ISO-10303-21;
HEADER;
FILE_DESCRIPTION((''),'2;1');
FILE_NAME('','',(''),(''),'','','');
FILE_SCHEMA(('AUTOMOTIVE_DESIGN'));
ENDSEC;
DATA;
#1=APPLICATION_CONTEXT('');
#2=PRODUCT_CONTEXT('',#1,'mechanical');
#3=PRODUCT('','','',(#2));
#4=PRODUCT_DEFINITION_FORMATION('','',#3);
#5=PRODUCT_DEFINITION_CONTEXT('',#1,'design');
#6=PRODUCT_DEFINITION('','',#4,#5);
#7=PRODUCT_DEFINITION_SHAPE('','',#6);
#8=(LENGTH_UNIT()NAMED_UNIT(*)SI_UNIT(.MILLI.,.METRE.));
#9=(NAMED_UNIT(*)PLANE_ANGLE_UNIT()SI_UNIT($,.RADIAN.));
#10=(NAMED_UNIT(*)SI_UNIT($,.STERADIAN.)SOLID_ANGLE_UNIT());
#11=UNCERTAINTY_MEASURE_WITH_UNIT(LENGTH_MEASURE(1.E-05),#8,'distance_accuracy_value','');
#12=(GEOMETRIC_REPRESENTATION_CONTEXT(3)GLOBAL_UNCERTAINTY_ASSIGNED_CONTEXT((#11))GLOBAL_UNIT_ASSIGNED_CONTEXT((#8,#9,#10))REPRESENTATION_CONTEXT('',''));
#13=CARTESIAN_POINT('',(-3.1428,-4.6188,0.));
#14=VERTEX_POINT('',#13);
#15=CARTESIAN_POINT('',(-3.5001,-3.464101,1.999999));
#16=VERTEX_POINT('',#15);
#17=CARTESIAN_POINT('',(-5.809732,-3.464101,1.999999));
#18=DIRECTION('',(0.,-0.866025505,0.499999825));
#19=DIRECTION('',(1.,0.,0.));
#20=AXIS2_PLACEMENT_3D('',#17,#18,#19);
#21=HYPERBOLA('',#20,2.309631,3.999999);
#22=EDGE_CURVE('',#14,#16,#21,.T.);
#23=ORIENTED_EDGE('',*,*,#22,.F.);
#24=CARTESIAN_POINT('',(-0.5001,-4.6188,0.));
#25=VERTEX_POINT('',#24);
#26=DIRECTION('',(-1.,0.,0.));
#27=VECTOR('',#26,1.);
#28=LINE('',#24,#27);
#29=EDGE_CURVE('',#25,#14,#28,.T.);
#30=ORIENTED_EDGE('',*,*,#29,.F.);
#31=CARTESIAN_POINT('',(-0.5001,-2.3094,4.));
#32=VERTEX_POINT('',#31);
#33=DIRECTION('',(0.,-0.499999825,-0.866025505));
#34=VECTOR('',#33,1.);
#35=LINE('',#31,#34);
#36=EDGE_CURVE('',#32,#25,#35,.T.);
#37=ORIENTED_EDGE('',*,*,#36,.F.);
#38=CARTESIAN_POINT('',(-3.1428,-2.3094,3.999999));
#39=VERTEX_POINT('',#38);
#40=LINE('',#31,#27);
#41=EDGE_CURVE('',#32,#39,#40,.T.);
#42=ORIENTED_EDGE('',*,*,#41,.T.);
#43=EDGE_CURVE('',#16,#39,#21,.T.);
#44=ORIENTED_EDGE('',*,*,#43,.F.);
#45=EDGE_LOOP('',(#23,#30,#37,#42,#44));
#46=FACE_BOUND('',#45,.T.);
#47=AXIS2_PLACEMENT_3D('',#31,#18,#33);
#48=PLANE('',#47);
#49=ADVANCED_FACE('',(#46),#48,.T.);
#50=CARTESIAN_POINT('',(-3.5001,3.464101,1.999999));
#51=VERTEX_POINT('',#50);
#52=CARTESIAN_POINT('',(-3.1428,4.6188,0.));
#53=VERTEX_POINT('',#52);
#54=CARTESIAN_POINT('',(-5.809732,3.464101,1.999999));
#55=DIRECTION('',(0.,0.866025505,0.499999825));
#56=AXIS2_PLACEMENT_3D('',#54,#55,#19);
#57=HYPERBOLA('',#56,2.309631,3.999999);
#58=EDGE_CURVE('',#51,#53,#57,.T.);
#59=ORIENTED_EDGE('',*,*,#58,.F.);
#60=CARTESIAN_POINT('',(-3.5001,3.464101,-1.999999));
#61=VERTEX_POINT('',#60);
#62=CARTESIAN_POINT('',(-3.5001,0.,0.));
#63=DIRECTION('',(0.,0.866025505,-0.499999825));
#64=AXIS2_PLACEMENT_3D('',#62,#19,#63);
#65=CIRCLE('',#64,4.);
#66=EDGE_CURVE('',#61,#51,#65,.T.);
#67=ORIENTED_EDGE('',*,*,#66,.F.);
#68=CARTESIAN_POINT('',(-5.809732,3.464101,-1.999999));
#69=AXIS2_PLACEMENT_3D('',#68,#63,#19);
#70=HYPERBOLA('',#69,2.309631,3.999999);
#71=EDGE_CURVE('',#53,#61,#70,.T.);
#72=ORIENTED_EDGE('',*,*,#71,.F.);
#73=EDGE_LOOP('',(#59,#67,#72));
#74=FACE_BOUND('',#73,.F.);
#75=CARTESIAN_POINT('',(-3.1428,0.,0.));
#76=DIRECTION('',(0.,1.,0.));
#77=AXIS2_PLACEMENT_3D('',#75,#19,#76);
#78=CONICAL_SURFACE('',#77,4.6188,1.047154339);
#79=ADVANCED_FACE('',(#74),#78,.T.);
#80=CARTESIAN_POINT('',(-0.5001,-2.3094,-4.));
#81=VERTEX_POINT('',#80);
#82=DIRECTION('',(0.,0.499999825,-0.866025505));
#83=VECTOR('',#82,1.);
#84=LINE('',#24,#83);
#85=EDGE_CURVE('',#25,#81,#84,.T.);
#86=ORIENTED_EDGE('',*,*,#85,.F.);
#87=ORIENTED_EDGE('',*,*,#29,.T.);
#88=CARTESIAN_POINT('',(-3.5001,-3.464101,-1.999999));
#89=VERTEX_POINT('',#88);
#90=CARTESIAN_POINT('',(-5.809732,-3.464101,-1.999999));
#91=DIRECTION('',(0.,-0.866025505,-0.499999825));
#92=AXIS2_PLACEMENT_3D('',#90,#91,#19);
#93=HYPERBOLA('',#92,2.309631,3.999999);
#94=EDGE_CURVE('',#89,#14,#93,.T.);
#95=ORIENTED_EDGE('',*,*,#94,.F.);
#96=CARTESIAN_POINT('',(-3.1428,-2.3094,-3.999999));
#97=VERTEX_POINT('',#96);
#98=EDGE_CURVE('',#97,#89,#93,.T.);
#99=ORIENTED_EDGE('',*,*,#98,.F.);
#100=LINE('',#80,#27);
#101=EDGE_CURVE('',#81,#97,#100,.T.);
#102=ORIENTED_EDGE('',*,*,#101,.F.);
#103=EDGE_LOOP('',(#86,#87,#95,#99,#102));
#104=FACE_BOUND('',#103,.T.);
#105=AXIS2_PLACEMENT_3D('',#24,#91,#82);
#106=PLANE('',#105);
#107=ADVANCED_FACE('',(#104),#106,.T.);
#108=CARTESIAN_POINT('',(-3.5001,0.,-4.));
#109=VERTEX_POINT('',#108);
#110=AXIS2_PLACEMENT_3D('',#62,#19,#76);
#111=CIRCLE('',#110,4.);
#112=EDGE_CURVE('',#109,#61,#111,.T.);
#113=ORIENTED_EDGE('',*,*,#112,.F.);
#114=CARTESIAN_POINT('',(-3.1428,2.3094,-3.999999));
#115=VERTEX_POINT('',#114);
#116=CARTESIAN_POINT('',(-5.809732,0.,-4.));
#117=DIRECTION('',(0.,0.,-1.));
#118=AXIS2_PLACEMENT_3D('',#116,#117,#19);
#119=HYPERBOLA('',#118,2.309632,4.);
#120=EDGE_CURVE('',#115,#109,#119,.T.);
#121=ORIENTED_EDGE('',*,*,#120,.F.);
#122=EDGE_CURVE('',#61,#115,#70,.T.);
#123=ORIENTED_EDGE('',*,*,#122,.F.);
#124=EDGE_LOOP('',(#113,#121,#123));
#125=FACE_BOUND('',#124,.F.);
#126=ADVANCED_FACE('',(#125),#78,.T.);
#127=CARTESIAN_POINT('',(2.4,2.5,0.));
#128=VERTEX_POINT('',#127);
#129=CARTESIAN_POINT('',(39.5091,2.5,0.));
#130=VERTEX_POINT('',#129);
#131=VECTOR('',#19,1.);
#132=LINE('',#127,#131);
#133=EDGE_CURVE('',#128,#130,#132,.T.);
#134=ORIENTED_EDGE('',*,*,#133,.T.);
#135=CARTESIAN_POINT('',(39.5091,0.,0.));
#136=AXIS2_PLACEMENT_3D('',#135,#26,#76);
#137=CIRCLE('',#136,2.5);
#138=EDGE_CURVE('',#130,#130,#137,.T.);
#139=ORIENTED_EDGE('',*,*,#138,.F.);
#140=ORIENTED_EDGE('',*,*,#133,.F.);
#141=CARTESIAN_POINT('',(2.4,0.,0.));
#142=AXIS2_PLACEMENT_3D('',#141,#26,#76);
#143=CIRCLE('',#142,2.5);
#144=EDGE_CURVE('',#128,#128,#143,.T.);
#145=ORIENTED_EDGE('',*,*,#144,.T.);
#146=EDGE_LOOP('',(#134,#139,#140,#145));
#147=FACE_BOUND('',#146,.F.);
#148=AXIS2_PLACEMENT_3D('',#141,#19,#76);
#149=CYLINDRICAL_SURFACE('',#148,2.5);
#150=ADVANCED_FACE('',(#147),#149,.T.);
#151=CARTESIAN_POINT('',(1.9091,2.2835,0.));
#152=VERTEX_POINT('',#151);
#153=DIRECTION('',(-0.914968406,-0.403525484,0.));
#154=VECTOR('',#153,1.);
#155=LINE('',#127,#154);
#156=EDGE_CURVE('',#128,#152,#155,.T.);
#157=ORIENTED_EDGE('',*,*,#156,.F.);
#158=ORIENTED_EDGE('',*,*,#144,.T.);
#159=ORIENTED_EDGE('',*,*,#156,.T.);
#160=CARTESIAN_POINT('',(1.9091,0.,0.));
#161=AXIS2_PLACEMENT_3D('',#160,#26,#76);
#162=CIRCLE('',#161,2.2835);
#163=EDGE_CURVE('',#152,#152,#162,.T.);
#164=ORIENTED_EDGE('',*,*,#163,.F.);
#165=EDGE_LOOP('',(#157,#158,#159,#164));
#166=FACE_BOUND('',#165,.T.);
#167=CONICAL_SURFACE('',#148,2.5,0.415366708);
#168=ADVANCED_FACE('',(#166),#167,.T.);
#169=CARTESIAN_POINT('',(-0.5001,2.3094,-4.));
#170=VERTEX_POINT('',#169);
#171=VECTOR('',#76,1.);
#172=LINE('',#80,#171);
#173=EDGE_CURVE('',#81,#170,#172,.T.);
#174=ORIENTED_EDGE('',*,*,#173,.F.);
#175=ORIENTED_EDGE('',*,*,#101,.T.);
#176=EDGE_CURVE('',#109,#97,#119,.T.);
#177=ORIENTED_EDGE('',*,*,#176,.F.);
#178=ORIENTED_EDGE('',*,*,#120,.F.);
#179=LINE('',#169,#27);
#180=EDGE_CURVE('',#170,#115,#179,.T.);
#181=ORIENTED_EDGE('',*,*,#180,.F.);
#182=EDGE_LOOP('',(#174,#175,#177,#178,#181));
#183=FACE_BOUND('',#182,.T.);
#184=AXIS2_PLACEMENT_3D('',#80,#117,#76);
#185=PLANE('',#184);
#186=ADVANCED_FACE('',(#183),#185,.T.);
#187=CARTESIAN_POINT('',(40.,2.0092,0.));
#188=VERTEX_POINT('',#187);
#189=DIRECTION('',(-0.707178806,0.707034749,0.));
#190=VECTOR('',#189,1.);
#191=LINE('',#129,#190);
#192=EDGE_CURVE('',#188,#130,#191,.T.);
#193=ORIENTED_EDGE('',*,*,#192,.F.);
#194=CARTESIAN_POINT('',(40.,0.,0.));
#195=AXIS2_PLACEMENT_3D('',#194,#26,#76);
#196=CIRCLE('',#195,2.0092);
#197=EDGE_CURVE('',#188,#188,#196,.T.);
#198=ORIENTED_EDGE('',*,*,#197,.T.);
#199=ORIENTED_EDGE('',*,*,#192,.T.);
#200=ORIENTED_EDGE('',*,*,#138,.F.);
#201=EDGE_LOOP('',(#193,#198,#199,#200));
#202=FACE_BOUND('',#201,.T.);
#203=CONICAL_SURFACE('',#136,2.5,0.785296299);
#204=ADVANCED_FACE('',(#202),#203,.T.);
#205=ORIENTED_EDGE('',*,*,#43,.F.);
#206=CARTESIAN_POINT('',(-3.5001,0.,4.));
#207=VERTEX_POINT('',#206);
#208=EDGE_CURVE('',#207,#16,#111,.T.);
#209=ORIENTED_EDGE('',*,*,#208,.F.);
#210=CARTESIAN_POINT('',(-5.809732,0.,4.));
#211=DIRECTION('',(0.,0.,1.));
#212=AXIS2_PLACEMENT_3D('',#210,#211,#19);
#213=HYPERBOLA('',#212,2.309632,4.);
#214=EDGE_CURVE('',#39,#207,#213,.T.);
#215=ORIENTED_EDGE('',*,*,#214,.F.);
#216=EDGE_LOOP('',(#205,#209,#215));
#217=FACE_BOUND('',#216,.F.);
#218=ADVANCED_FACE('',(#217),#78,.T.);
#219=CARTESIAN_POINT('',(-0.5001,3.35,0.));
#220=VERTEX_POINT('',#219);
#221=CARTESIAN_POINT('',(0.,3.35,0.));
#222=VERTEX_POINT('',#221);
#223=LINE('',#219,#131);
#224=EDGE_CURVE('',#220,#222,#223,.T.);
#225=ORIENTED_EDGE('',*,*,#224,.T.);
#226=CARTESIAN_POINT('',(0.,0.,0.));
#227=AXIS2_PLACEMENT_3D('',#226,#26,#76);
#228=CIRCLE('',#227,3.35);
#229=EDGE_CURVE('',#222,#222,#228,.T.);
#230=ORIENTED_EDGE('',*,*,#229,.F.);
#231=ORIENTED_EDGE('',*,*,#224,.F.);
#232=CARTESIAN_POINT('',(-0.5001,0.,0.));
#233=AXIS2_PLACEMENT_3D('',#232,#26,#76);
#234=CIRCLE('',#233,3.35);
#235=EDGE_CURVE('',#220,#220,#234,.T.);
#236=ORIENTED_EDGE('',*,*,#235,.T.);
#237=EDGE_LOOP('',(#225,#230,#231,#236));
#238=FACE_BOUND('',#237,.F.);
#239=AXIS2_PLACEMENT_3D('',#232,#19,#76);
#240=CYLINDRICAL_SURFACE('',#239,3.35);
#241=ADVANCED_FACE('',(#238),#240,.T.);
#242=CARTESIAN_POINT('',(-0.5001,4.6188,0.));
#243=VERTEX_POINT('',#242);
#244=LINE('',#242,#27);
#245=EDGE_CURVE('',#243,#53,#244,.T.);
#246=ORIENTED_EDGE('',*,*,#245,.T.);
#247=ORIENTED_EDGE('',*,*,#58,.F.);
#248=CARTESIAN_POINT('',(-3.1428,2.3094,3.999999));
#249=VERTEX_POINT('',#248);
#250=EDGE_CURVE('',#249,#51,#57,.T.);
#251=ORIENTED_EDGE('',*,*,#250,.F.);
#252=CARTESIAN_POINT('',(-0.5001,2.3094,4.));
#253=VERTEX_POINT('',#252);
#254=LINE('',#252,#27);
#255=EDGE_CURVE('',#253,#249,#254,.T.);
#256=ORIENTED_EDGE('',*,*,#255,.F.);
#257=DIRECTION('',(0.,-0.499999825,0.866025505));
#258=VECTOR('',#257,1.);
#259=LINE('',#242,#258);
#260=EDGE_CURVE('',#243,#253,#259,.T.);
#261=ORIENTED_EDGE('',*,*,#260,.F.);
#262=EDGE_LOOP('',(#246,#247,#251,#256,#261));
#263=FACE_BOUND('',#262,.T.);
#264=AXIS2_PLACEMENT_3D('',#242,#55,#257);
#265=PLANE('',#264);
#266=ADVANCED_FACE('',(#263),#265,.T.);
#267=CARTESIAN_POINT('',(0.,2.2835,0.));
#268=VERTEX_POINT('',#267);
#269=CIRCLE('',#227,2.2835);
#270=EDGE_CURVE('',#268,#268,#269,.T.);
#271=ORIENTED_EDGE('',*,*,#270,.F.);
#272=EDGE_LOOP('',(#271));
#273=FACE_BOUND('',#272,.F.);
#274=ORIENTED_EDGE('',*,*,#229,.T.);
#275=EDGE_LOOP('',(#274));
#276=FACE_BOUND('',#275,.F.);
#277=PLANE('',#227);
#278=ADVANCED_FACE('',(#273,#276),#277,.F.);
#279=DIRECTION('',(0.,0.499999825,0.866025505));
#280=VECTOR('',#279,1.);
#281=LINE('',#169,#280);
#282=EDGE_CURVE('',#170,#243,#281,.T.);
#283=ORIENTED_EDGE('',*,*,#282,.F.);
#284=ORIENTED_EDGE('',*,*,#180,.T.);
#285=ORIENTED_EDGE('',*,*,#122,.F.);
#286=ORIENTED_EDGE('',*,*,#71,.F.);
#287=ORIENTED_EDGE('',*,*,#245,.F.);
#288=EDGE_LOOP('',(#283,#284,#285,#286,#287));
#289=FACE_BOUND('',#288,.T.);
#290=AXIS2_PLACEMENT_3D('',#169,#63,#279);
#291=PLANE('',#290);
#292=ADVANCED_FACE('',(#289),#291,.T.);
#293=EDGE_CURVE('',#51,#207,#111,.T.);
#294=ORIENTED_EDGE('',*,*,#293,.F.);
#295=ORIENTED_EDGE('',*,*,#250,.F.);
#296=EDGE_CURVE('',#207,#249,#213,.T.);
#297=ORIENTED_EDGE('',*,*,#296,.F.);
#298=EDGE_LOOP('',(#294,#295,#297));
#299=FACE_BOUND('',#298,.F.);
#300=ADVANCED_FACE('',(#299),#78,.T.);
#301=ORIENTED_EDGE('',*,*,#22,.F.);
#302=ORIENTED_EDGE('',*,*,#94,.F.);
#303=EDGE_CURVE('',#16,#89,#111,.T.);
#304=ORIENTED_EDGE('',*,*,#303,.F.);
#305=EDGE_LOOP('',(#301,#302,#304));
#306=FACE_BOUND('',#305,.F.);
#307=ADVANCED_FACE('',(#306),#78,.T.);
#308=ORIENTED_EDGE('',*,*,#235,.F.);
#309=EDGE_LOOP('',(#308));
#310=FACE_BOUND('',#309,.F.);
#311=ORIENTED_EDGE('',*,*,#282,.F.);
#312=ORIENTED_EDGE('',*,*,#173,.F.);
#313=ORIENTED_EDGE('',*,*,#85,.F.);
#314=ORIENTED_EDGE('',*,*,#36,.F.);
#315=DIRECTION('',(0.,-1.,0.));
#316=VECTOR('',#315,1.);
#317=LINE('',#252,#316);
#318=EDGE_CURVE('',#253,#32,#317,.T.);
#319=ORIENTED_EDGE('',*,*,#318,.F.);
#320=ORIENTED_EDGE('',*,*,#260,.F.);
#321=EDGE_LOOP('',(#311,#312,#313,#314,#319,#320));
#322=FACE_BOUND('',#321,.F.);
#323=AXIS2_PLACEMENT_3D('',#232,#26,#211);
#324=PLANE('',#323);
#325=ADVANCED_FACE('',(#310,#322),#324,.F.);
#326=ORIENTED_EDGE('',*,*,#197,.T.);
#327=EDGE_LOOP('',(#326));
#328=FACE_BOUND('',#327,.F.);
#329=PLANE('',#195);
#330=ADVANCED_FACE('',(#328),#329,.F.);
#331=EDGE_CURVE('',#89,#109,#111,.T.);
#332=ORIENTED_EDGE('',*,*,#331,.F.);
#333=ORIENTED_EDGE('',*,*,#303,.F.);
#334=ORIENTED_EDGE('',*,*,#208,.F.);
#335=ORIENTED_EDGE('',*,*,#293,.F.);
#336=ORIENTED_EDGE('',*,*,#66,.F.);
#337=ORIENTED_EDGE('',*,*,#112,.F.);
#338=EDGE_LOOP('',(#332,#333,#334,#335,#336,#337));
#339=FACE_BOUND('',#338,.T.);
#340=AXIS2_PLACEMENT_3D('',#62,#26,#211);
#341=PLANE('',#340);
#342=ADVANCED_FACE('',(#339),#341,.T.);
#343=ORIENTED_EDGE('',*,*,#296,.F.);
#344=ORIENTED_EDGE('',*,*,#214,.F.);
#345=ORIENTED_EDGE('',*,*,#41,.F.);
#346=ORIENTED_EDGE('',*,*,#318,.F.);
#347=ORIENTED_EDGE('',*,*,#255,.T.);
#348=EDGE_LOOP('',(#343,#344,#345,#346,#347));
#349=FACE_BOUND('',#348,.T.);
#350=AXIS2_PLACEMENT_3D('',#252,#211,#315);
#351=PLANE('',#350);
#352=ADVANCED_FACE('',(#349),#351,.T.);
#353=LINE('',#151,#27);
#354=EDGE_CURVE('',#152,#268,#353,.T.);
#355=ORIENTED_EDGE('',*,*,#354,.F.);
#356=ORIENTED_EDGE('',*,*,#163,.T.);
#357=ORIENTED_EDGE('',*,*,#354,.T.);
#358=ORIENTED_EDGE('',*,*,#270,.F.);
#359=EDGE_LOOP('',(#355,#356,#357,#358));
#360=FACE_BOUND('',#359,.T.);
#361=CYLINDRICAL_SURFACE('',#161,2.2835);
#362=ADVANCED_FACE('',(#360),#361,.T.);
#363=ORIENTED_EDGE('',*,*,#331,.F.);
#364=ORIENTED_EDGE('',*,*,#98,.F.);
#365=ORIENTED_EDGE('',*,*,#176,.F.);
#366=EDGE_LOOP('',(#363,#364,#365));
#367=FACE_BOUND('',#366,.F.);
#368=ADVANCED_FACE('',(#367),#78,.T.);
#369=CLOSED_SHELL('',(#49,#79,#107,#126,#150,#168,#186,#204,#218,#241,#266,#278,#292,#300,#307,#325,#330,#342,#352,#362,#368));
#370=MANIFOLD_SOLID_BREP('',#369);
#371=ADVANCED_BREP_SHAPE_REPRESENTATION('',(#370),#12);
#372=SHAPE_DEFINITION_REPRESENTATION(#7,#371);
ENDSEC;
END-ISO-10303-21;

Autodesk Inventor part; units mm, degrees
ref_plane "YZ Plane" through (0, 0, 0) normal (1, 0, 0) x (0, 1, 0)
ref_plane "XZ Plane" through (0, 0, 0) normal (0, 1, 0) x (-1, 0, 0)
sketch "Sketch1" plane through (0, 0, 0) normal (0, 0, 1) x (1, 0, 0)
  line L0 (0, 3.35) -> (0, 2.2835)
  line L1 (2.4, 2.5) -> (40, 2.5)
  line L2 (40, 2.5) -> (40, 0)
  line L3 (40, 0) -> (-0.5001, 0)
  line L4 (-8.6001, 0) -> (48.1, 0) projected
  line L5 (-0.5001, 0) -> (-0.5001, 3.35)
  line L6 (-0.5001, 3.35) -> (0, 3.35)
  line L7 (2.4, 2.5) -> (1.9091, 2.2835)
  line L8 (1.9091, 2.2835) -> (0, 2.2835)
  line L9 (0, -0.67) -> (0, 4.02) projected
  dimension "d0" = 40
  dimension "d1" = 37.6
  dimension "d2" = 5
  dimension "d9" = 0.5001
  dimension "d10" = 6.7
  dimension "d13" = 0.4909
  dimension "d14" = 4.567
revolve "Body" add sketch "Sketch1" angle 360 about axis through (40, 0, 0) along (-1, 0, 0)
sketch "Sketch2" plane through (-0.5001, 0, 0) normal (-1, 0, 0) x (0, 0, 1)
  line L0 (0, 4.6188) -> (4, 2.3094)
  line L1 (4, 2.3094) -> (4, -2.3094)
  line L2 (4, -2.3094) -> (0, -4.6188)
  line L3 (0, -4.6188) -> (-4, -2.3094)
  line L4 (-4, -2.3094) -> (-4, 2.3094)
  line L5 (-4, 2.3094) -> (0, 4.6188)
  point P0 (0, 0)
  point P1 (0, 0)
  dimension "d11" = 8
extrude "Head" add sketch "Sketch2" along normal blind 3
sketch "Sketch4" plane through (0, 0, 0) normal (0, 0, 1) x (1, 0, 0)
  line L0 (-3.5001, 4) -> (-3.5001, 4.6188)
  line L1 (-3.5001, 4.6188) -> (-3.1428, 4.6188)
  line L2 (-3.1428, 4.6188) -> (-3.5001, 4)
  line L3 (-4.1001, 0) -> (0.0999, 0) projected
  line L4 (-0.5001, 4.6188) -> (-3.5001, 4.6188) projected
  line L5 (-3.5001, 2.3094) -> (-3.5001, 4.6188) projected
  dimension "d5" = 30
  dimension "d19" = 8
revolve "Chamfer1" cut sketch "Sketch4" angle 360 about axis through (-10, 0, 0) along (1, 0, 0)
thread "Thread" size "M5x0.8" class "6g" standard "ISO Metric profile" length 37.6
chamfer "Chamfer2" distance 0.4908 distance2 0.4909 1 edges at (40, -2.5, 0) measured on face at (40, 0.1004, 0.4284)
ref_plane "Work Plane1" through (1.525, 0, 0) normal (0, 0, 1) x (1, 0, 0)
equation "\"d0\" = NLG"
equation "\"d1\" = GEL"
equation "\"d2\" = GD"
equation "\"d10\" = SD2"
equation "\"d14\" = BDM"
equation "\"d11\" = SW"
equation "\"d3\" = KOH - SD"
equation "\"d5\" = ANG1"
equation "\"d19\" = SW0"
equation "\"d15\" = GEL"
equation "\"d6\" = -0.5 * SPD + 0.5 * GD"
equation "\"NLG\" = 40"
equation "\"GD\" = NND"
equation "\"BDM\" = 4.56699"
equation "\"KOH\" = 3.5"
equation "\"GEL\" = 37.6"
equation "\"SW\" = 8"
equation "\"SW0\" = 8"
equation "\"SPD\" = NND - 1.2269 * PTC"
equation "\"SD2\" = 6.7"
equation "\"SD\" = 0.5"
equation "\"ANG1\" = 30deg"
equation "\"GAL\" = 0.61345 * PTC"
equation "\"GUL\" = 0.61345 * PTC"
equation "\"RR\" = 0.2"
equation "\"GD1\" = THREADDIA - 1.2269 * PTC"
equation "\"THREADDIA\" = 5"
equation "\"TOA\" = 30deg"
equation "\"PTC\" = 0.8"
equation "\"NND\" = 5"
equation "\"E0\" = 1.155 * SW"
properties part number "DIN 933 - M5  x 40" material "Steel, Mild"
